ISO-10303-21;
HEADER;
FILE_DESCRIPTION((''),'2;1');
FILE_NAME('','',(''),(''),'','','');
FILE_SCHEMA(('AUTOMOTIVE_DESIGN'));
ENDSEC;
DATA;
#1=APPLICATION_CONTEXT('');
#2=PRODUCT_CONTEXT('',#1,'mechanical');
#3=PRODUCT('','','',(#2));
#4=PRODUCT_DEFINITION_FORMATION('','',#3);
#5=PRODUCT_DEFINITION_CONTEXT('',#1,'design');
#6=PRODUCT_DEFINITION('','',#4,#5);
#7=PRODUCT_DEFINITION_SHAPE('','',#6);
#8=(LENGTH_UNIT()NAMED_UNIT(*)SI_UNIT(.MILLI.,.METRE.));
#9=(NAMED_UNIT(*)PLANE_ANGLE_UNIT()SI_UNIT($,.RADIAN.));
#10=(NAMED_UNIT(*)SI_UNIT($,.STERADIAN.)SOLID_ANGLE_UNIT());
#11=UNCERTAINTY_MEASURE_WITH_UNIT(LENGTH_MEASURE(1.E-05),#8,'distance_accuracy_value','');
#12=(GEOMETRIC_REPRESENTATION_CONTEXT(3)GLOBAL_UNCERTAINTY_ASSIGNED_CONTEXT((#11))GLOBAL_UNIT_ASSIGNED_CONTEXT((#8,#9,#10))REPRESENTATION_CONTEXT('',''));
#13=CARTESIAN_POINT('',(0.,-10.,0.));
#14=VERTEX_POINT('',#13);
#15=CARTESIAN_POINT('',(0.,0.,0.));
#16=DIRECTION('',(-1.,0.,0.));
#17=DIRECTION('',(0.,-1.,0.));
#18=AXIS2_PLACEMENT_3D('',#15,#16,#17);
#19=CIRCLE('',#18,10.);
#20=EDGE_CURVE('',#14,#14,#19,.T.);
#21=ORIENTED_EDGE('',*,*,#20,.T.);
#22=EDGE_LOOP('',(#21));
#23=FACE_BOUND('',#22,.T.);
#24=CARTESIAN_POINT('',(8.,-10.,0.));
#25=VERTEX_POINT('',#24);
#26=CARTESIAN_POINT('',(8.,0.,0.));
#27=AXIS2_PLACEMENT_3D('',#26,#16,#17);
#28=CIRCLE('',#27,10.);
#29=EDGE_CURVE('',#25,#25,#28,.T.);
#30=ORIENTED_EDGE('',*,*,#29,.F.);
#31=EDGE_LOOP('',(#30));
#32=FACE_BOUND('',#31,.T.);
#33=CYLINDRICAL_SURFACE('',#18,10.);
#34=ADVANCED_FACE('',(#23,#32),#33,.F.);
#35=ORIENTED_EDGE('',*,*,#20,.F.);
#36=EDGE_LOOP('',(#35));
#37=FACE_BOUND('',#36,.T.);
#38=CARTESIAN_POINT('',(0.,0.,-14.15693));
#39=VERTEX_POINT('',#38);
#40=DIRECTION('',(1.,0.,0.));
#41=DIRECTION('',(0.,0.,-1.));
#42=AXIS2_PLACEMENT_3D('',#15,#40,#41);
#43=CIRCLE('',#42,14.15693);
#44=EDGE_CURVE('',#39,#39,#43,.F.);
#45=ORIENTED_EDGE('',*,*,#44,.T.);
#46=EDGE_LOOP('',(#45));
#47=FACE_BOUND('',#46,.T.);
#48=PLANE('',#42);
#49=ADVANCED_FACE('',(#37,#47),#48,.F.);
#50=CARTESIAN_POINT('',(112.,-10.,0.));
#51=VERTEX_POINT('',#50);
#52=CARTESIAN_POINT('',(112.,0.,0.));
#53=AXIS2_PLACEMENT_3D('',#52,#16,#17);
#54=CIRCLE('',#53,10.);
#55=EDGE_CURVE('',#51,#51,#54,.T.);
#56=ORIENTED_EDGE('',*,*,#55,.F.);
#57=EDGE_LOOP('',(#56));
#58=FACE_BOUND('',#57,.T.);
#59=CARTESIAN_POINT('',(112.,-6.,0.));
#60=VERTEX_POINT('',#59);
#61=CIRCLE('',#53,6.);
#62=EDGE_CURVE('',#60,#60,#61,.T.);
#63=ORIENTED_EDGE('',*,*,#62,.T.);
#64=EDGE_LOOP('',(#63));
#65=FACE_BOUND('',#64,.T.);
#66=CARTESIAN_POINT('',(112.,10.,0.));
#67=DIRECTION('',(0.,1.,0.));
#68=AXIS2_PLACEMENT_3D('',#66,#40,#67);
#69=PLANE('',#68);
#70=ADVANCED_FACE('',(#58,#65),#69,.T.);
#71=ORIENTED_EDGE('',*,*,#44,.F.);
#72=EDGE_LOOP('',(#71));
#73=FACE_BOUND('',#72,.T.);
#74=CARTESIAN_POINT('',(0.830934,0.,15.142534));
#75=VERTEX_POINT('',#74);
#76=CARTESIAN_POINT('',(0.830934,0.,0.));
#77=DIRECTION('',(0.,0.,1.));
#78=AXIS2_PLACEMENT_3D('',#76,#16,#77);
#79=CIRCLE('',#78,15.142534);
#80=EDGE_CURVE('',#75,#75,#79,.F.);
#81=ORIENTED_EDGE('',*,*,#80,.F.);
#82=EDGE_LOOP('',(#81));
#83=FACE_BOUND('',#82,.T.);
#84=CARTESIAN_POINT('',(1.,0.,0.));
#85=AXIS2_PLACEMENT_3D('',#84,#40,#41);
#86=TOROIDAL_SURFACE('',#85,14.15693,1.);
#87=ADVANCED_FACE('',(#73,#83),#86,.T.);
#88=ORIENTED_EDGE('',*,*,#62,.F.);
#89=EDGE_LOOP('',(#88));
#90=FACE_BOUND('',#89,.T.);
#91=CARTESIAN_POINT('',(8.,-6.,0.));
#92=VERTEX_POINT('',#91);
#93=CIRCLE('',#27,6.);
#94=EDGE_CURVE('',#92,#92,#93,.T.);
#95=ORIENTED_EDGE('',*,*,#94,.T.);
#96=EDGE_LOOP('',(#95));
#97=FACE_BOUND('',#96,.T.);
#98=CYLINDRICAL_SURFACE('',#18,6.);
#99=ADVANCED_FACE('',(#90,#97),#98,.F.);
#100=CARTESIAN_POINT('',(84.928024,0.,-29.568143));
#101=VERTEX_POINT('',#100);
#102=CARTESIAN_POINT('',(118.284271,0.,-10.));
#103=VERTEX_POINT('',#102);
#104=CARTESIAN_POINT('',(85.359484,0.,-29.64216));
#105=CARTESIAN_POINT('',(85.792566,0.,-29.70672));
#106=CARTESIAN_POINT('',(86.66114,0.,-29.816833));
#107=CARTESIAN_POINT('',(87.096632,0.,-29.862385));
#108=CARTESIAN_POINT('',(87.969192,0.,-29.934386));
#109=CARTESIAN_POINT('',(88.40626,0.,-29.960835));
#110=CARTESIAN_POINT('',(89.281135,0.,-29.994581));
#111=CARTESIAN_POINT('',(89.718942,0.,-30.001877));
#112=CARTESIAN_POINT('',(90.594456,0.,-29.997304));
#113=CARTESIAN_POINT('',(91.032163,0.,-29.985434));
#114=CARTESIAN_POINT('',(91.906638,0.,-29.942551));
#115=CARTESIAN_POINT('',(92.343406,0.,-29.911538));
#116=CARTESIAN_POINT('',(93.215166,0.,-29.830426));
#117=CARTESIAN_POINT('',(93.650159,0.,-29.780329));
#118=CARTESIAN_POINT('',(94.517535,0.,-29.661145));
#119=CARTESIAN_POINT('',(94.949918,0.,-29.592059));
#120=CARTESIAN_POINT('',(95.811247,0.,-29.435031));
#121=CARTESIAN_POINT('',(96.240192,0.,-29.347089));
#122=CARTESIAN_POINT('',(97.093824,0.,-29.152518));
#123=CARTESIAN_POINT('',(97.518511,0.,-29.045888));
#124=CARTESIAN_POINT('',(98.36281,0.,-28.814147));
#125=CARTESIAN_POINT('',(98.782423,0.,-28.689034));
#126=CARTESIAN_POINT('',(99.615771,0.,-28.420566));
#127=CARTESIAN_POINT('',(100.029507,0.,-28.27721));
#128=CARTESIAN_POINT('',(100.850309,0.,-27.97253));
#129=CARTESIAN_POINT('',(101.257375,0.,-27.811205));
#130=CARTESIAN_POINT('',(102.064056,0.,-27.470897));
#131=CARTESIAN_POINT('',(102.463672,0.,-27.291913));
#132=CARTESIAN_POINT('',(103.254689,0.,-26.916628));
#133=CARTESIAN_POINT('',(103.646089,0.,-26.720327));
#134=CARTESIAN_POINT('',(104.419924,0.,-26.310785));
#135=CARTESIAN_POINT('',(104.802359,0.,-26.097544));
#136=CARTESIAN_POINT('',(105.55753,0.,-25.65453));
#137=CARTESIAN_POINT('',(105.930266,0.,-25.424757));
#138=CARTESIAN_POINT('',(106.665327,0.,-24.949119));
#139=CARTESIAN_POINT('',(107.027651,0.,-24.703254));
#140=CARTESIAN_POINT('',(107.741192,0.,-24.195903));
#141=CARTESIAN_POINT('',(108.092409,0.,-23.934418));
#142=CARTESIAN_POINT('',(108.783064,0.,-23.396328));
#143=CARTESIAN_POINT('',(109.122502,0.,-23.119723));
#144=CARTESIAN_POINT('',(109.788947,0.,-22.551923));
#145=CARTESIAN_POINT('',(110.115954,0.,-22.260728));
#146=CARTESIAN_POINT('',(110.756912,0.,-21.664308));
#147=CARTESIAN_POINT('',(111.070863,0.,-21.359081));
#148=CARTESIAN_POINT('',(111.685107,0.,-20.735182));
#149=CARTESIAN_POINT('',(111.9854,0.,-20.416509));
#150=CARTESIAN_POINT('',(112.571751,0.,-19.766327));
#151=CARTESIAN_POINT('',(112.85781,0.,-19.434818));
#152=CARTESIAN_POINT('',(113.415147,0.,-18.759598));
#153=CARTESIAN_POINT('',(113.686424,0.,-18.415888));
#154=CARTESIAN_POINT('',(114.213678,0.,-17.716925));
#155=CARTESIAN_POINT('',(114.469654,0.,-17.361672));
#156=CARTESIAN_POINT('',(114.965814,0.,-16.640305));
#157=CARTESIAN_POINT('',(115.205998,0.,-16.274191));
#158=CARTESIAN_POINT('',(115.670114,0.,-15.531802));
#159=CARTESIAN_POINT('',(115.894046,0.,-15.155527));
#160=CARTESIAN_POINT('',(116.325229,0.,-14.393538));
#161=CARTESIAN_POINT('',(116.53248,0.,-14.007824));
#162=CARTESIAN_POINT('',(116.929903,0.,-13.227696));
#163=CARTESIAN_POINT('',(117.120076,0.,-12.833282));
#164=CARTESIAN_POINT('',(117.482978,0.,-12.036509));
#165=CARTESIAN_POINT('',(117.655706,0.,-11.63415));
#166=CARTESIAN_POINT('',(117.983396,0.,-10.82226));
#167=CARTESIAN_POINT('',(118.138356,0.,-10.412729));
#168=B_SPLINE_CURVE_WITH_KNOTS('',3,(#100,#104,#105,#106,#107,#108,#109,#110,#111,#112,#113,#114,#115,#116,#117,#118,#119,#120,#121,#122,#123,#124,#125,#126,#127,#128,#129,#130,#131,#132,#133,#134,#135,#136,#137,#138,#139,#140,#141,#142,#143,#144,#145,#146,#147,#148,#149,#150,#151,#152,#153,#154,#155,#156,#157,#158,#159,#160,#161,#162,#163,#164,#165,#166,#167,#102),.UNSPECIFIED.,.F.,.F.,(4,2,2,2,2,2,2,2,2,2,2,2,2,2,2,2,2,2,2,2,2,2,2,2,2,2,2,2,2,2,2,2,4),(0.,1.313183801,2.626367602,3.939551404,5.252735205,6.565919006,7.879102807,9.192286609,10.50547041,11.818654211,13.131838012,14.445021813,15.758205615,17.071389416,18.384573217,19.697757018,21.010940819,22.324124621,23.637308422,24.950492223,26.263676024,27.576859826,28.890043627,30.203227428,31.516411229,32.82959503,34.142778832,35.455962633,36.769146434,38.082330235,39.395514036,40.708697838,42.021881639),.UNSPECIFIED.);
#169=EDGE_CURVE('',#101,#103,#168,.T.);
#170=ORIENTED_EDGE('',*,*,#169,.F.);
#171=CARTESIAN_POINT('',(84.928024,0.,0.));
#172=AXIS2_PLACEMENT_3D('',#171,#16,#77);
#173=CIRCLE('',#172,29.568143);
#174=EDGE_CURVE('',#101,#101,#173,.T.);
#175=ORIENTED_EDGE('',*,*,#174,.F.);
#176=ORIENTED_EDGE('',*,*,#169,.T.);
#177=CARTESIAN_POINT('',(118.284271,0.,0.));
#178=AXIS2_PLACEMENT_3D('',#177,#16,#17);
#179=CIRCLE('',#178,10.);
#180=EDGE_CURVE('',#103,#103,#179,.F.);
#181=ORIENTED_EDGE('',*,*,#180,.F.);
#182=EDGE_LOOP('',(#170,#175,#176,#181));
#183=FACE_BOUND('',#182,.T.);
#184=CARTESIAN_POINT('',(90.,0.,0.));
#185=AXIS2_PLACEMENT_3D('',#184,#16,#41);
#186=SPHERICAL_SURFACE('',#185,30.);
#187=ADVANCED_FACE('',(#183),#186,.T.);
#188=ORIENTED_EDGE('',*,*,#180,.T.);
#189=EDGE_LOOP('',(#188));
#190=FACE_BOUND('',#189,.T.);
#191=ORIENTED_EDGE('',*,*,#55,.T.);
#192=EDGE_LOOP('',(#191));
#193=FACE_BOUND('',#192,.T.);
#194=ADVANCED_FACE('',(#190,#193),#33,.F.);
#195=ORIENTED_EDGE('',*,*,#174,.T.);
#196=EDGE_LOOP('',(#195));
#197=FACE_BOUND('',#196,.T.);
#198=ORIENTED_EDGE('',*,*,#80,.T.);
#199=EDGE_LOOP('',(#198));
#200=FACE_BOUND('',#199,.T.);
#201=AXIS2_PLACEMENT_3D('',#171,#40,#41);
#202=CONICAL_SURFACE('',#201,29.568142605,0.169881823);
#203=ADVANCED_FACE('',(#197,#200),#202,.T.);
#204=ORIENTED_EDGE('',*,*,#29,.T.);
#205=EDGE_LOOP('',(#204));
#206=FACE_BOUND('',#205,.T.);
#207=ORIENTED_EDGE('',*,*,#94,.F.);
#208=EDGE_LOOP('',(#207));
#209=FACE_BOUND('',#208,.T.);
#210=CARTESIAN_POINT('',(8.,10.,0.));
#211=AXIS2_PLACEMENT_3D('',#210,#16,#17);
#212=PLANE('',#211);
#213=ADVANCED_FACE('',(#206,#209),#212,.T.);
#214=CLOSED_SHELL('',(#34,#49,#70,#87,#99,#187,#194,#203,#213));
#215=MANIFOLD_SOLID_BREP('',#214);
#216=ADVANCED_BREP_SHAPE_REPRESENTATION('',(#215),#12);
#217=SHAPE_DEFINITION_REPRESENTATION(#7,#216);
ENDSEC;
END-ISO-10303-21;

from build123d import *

# Parameters (mm, degrees)
FILLET1_R = 1


with BuildPart() as part:
    # Sketch1 → Revolve1 (revolve)
    with BuildSketch(Plane(origin=(0, 0, 0), x_dir=(1, 0, 0), z_dir=(0, 1, 0))):
        with BuildLine():
            Line((0, 0), (120, 0))
            ThreePointArc((120, 0), (109.337020363, 22.936426127), (84.928023767, 29.568142605))
            Line((84.928023767, 29.568142605), (0, 15))
            Line((0, 15), (0, 0))
        make_face()
    revolve(axis=Axis((0, 0, 0), (1, 0, 0)))

    # Sketch2 → Cut-Revolve2 (revolve, cut)
    with BuildSketch(Plane.XY, mode=Mode.PRIVATE) as cut_revolve2_sk:
        Polygon((0, 0), (120, 0), (120, 10), (112, 10), (112, 6), (8, 6), (8, 10), (0, 10), align=None)
    revolve(cut_revolve2_sk.sketch.rotate(Axis((0, 0, 0), (1, 0, 0)), 180), axis=Axis((0, 0, 0), (1, 0, 0)), mode=Mode.SUBTRACT)

    # Fillet1
    fillet1_edges = [part.edges().sort_by_distance(p)[0] for p in [
        (0, 0, 15),
    ]]
    fillet(fillet1_edges, radius=FILLET1_R)


solid = part.part
